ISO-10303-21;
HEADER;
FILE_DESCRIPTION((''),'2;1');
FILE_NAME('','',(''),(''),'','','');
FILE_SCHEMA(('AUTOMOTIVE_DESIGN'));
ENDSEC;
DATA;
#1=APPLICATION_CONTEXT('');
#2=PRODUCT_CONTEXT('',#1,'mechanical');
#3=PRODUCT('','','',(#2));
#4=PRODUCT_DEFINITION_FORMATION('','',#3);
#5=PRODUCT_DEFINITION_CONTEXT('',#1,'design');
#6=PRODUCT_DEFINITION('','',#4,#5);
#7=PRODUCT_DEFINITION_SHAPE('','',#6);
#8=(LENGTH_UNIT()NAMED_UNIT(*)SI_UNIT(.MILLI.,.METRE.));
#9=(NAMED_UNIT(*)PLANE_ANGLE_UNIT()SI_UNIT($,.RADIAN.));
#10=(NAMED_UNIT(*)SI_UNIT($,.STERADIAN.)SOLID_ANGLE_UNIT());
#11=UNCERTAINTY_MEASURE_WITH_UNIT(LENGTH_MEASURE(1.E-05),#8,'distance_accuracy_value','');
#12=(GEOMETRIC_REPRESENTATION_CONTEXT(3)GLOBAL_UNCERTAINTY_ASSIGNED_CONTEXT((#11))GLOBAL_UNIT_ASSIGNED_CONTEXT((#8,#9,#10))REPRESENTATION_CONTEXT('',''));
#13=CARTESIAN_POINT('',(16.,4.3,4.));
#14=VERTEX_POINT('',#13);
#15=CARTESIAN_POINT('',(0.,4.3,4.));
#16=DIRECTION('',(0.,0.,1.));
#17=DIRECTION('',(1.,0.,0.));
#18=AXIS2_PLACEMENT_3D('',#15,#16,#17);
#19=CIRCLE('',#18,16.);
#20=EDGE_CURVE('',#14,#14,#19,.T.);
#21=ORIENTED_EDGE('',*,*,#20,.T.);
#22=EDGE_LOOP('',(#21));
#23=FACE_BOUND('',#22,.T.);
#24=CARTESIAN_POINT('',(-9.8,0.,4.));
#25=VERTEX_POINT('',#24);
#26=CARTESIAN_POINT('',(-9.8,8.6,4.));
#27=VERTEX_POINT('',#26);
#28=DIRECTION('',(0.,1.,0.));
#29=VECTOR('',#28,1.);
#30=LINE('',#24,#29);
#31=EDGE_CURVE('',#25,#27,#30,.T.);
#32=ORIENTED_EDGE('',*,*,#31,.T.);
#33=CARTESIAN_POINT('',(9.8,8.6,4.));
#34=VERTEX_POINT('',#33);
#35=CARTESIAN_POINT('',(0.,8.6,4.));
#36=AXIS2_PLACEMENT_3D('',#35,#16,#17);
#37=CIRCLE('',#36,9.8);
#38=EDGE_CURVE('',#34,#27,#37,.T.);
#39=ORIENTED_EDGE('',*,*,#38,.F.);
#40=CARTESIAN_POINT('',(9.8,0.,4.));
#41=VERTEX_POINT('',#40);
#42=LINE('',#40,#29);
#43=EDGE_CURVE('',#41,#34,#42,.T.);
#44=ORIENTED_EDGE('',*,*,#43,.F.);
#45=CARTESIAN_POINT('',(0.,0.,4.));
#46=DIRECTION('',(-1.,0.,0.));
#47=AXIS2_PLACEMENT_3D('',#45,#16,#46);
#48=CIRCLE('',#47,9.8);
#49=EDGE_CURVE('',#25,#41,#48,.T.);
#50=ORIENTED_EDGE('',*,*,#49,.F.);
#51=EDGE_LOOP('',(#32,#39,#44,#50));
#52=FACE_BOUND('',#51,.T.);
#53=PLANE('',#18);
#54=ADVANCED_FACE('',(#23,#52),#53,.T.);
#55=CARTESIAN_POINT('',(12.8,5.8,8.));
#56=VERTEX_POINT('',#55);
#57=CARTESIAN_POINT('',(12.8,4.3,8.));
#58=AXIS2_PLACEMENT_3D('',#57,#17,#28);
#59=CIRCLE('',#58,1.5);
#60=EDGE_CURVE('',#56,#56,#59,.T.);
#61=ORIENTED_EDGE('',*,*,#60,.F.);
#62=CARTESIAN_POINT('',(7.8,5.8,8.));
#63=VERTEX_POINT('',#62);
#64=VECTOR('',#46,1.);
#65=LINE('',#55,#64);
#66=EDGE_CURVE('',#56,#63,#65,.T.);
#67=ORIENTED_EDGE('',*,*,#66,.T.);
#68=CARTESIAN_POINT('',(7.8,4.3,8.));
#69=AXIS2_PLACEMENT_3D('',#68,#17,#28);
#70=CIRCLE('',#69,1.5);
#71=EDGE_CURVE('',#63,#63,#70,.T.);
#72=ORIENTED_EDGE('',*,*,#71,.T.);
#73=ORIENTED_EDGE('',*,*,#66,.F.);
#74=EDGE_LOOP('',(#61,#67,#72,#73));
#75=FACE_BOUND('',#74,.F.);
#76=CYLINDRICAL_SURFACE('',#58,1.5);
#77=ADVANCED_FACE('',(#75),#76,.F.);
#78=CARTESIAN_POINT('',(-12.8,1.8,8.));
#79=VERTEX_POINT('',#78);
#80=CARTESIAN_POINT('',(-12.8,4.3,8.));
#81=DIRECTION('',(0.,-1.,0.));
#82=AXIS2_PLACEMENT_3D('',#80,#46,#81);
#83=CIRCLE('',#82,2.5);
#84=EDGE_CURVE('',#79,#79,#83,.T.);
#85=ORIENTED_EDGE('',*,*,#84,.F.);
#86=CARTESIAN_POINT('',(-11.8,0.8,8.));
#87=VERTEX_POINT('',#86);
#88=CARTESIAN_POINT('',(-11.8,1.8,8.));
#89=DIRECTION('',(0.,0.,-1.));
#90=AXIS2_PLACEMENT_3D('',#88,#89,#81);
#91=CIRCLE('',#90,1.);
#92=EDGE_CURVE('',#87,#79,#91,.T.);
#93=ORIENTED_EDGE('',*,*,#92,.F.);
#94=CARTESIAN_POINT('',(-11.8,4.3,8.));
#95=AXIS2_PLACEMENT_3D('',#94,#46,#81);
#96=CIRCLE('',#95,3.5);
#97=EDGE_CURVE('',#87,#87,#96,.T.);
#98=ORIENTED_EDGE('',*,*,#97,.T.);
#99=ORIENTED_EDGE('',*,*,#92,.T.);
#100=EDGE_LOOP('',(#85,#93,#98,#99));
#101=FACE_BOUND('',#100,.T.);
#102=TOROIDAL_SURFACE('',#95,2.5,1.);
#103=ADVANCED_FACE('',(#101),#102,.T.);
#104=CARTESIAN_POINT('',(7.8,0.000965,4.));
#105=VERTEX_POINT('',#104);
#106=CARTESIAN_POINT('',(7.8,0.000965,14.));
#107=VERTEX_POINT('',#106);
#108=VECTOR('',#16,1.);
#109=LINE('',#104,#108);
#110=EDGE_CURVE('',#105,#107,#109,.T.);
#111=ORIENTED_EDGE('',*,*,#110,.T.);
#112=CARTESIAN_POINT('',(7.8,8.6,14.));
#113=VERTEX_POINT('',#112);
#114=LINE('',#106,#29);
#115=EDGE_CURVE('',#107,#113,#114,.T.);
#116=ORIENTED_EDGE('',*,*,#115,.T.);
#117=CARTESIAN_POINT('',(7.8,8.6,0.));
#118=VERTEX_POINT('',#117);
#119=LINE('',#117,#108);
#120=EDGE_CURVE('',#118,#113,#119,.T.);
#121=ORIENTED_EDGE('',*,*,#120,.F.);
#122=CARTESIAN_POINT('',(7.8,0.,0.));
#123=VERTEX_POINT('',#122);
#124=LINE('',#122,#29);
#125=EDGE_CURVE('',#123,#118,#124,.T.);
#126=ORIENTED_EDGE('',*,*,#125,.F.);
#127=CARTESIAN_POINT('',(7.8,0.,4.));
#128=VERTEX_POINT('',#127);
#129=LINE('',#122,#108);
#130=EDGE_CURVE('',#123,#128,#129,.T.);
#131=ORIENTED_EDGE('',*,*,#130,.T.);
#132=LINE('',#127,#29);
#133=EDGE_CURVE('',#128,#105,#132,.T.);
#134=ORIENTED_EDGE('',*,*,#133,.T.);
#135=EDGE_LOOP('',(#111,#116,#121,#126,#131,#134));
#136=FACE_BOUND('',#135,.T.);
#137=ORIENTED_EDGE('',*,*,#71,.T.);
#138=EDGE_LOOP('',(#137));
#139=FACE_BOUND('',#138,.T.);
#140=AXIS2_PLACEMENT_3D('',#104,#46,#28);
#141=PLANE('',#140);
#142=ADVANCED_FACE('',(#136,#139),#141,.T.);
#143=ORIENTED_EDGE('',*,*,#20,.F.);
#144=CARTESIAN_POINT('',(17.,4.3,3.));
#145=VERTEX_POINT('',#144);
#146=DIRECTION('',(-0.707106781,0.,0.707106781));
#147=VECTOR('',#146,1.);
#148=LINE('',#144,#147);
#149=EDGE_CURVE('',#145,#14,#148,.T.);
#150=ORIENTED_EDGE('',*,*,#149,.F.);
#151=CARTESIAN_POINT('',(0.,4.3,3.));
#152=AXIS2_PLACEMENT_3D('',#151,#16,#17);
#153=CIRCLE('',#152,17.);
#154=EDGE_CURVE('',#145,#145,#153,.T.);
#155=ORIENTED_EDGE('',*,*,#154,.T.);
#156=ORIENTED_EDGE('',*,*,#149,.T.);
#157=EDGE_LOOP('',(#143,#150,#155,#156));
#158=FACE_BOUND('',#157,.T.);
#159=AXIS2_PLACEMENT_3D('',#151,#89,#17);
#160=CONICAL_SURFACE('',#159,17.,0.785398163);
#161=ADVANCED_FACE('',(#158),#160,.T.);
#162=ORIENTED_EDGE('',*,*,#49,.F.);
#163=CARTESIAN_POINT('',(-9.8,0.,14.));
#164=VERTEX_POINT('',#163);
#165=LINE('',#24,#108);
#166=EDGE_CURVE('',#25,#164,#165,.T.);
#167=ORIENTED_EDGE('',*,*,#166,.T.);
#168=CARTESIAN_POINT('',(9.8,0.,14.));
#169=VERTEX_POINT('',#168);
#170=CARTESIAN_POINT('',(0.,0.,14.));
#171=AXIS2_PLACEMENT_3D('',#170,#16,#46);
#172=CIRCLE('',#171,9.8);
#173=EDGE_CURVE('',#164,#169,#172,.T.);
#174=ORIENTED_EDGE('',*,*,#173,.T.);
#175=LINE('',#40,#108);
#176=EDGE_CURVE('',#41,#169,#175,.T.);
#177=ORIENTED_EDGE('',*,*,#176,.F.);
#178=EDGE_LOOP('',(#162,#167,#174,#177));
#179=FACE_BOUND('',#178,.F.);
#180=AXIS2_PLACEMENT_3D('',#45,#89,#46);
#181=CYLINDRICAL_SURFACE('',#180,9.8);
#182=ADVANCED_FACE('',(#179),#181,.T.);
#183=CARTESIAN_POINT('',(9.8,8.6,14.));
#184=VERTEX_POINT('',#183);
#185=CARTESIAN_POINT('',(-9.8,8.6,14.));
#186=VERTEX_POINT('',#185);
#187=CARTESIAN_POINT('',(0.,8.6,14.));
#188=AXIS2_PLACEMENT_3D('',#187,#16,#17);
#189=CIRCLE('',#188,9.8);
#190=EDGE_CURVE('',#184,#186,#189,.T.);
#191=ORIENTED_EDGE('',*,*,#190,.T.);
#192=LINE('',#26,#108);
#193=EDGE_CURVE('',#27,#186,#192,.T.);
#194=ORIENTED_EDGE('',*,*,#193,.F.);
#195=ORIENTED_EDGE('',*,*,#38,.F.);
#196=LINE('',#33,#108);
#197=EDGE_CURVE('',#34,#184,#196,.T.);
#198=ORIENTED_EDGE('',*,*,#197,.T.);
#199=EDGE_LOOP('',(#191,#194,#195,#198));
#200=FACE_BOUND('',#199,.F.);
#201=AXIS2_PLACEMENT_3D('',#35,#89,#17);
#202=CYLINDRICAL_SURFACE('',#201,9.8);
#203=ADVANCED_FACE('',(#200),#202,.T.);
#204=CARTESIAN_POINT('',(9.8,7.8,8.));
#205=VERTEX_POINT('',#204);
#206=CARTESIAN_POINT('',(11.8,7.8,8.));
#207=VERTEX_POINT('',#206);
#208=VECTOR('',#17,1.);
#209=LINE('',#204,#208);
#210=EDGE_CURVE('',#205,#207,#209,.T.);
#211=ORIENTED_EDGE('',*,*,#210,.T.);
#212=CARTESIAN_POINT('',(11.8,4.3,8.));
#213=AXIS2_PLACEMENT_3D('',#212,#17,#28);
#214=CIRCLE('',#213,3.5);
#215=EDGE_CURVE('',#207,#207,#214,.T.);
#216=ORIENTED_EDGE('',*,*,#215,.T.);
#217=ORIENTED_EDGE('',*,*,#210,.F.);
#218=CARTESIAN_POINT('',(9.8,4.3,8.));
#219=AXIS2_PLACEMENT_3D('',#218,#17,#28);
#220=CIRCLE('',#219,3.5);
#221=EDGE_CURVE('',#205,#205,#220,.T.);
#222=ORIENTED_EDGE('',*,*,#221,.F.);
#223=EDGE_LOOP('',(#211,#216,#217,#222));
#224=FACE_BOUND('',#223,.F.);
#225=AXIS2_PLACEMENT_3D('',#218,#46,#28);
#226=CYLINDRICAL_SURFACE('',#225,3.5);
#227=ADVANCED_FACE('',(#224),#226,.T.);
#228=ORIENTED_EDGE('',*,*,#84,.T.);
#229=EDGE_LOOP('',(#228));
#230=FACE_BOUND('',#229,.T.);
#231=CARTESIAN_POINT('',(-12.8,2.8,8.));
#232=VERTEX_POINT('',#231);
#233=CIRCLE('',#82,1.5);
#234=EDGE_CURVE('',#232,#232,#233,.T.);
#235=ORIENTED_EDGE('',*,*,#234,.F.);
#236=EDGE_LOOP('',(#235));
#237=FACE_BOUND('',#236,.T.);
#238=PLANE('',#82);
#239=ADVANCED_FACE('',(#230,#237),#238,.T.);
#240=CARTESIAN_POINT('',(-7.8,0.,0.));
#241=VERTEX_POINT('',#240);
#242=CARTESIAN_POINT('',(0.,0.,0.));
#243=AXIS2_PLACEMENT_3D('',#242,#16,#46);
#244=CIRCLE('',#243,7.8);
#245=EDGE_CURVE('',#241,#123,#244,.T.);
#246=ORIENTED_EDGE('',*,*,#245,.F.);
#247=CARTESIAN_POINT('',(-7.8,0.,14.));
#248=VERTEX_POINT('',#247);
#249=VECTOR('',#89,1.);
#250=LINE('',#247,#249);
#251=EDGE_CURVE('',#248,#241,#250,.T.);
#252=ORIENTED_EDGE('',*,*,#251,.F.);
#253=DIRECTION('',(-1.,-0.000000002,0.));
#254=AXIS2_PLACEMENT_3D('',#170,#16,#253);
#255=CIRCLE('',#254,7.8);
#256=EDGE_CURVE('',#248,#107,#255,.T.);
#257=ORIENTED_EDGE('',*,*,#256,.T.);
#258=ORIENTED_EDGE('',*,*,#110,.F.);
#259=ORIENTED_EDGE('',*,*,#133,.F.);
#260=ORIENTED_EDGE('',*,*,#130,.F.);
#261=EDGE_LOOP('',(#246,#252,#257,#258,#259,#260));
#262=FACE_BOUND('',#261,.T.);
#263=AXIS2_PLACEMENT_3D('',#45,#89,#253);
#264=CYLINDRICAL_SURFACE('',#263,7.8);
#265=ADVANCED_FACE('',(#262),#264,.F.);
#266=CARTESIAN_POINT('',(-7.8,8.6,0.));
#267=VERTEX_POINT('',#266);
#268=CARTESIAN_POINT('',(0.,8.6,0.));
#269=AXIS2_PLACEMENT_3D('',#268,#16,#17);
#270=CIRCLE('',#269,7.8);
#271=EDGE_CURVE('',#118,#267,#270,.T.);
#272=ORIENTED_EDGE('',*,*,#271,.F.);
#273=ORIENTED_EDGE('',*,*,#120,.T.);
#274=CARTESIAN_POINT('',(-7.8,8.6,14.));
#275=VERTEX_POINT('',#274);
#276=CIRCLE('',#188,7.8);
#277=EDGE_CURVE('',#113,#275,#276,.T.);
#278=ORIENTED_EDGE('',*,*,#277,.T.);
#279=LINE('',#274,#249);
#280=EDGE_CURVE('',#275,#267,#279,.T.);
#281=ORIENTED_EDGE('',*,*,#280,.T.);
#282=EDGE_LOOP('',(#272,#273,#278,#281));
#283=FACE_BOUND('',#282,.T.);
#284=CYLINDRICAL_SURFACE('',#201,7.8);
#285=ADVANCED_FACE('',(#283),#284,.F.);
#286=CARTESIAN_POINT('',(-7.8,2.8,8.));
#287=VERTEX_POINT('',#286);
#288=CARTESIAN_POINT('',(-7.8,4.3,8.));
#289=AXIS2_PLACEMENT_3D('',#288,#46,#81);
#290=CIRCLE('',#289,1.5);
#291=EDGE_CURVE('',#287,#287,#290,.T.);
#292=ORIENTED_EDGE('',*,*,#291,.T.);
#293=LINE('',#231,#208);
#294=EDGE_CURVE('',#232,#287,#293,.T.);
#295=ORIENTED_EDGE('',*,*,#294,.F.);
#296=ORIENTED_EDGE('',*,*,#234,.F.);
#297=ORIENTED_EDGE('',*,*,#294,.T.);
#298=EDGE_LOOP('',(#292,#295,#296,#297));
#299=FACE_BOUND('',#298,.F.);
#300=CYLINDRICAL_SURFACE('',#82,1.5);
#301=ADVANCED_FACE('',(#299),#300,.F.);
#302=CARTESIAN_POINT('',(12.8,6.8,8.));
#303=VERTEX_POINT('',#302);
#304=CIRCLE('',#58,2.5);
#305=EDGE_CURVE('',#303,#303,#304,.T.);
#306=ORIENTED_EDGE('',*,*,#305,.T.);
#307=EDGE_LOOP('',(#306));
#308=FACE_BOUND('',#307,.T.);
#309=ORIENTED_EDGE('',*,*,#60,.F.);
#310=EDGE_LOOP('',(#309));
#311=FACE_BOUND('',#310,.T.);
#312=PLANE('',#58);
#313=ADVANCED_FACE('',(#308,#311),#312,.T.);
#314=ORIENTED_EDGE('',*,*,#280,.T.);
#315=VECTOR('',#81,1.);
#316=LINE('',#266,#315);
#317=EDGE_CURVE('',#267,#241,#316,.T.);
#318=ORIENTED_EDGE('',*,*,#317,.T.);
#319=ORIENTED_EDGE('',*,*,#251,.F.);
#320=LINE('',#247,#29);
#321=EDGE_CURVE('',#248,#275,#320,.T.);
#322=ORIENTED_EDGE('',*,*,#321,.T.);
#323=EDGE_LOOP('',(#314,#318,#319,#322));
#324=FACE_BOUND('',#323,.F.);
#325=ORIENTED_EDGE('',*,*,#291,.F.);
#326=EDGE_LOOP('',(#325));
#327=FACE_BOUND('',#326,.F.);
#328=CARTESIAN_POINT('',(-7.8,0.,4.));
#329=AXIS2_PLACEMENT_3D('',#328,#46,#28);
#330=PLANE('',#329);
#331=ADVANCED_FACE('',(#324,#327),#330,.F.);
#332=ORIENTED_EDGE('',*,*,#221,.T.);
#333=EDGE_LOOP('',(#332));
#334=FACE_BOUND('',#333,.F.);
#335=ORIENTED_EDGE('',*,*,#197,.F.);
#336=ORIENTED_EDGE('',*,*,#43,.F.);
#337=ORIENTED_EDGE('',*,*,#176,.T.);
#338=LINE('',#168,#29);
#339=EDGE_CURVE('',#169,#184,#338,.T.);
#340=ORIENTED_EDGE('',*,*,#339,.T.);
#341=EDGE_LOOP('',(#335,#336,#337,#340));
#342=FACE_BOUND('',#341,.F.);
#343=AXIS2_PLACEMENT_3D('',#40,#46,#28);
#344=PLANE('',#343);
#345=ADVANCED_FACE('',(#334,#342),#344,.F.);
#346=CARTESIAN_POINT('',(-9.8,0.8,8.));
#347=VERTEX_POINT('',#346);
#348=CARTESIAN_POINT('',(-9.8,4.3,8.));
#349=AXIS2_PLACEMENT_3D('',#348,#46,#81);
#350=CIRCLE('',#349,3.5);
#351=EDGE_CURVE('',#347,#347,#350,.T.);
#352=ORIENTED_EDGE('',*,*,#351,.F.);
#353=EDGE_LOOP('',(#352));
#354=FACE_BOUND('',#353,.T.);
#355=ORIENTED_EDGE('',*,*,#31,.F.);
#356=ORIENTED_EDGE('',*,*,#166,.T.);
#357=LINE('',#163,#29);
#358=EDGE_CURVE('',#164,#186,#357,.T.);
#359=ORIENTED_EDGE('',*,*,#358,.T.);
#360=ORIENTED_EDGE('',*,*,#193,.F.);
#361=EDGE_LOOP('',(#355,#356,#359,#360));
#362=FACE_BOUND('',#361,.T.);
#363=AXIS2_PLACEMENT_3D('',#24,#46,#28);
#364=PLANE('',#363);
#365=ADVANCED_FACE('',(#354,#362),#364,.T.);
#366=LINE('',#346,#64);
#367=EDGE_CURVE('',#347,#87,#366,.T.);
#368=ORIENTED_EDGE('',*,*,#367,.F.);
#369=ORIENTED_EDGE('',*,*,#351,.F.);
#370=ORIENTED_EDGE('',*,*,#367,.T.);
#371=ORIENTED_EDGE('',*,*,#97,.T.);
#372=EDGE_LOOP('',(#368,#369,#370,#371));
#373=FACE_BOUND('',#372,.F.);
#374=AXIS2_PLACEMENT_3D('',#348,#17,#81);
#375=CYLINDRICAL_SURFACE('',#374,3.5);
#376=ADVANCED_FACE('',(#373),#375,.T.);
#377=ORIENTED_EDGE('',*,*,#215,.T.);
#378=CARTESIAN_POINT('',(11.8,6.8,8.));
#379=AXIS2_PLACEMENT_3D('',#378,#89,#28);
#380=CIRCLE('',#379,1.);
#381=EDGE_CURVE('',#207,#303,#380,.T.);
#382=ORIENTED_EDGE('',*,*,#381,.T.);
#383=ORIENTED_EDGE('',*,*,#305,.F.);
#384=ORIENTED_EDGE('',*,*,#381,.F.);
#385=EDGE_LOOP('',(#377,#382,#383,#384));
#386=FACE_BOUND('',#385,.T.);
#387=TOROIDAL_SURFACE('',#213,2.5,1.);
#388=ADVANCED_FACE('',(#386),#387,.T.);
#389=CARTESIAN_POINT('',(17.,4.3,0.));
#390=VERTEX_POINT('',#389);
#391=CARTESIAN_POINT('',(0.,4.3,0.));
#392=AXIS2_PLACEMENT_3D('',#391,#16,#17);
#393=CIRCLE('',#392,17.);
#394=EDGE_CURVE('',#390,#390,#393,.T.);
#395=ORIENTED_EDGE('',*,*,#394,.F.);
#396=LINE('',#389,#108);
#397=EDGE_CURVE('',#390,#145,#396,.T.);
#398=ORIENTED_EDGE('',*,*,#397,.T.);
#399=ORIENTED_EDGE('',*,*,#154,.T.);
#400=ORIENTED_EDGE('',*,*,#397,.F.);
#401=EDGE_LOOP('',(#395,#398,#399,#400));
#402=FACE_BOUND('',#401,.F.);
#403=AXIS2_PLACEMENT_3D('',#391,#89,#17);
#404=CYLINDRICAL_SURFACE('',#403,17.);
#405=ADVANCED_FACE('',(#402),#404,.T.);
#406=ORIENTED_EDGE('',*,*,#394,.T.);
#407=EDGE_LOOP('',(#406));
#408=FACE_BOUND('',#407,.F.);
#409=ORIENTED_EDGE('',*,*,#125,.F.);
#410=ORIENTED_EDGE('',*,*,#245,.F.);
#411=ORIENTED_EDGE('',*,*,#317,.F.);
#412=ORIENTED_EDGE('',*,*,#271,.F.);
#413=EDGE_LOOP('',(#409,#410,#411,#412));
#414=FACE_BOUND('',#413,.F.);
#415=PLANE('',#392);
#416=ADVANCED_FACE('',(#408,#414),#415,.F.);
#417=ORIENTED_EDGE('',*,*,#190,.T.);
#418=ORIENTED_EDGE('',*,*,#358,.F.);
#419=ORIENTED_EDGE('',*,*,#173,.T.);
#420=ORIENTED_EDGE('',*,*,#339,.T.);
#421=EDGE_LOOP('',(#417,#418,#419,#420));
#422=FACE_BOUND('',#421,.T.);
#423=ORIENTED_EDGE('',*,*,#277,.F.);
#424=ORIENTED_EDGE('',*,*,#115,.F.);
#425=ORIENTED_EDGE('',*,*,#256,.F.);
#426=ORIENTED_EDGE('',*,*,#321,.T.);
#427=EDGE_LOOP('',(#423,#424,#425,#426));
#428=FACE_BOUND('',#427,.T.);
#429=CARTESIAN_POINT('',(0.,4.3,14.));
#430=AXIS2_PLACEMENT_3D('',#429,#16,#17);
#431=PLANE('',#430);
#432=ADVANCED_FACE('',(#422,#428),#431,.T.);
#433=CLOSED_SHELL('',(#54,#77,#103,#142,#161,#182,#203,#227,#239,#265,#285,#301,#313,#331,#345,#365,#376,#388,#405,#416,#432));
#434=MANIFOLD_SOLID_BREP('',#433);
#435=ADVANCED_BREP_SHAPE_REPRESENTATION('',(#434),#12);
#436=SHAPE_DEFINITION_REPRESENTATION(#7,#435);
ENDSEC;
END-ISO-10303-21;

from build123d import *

# Parameters (mm, degrees)
SKETCH_R        = 17
PAD_DEPTH       = 4
CHAMFER_SIZE    = 1
PAD001_DEPTH    = 10
SKETCH002_R     = 3.5
PAD002_DEPTH    = 3
SKETCH003_R     = 1.5
POCKET_DEPTH    = 6
FILLET_R        = 1
SKETCH004_R     = 3.5
PAD003_DEPTH    = 3
SKETCH005_R     = 1.5
POCKET001_DEPTH = 6
FILLET001_R     = 1


with BuildPart() as part:
    # Sketch → Pad (new body)
    with BuildSketch(Plane.XY):
        with Locations((0, 4.3)):
            Circle(SKETCH_R)
        with BuildLine():
            ThreePointArc((7.8, 8.6), (0, 16.4), (-7.8, 8.6))
            Line((-7.8, 8.6), (-7.8, 0))
            ThreePointArc((-7.8, 0), (0, -7.8), (7.8, 0))
            Line((7.8, 0), (7.8, 8.6))
        make_face(mode=Mode.SUBTRACT)
    extrude(amount=PAD_DEPTH)

    # Chamfer
    chamfer_edges = [part.edges().sort_by_distance(p)[0] for p in [
        (-17, 4.3, 4),
    ]]
    chamfer(chamfer_edges, length=CHAMFER_SIZE)

    # Sketch001 (on Face4 of Chamfer) → Pad001 (join)
    with BuildSketch(Plane.XY.offset(4)):
        with BuildLine():
            ThreePointArc((9.8, 8.6), (0, 18.4), (-9.8, 8.6))
            Line((-9.8, 0), (-9.8, 8.6))
            ThreePointArc((-9.8, 0), (0, -9.8), (9.8, 0))
            Line((9.8, 0), (9.8, 8.6))
        make_face()
        with BuildLine():
            ThreePointArc((7.8, 8.6), (0, 16.4), (-7.8, 8.6))
            Line((-7.8, 0), (-7.8, 8.6))
            ThreePointArc((-7.8, 0), (0.000482, -7.8), (7.8, 0.000965))
            Line((7.8, 0.000965), (7.8, 8.6))
        make_face(mode=Mode.SUBTRACT)
    extrude(amount=PAD001_DEPTH)

    # Sketch002 (on Face10 of Pad001) → Pad002 (join)
    with BuildSketch(Plane(origin=(-9.8, 0, 0), x_dir=(0, -1, 0), z_dir=(-1, 0, 0))):
        with Locations((-4.3, 8)):
            Circle(SKETCH002_R)
    extrude(amount=PAD002_DEPTH)

    # Sketch003 (on Face19 of Pad002) → Pocket (cut)
    with BuildSketch(Plane(origin=(-12.8, 0, 0), x_dir=(0, -1, 0), z_dir=(-1, 0, 0))):
        with Locations((-4.3, 8)):
            Circle(SKETCH003_R)
    extrude(amount=-POCKET_DEPTH, mode=Mode.SUBTRACT)

    # Fillet
    fillet_edges = [part.edges().sort_by_distance(p)[0] for p in [
        (-12.8, 7.8, 8),
    ]]
    fillet(fillet_edges, radius=FILLET_R)

    # Sketch004 (on Face10 of Fillet) → Pad003 (join)
    with BuildSketch(Plane.YZ.offset(9.8)):
        with Locations((4.3, 8)):
            Circle(SKETCH004_R)
    extrude(amount=PAD003_DEPTH)

    # Sketch005 (on Face22 of Pad003) → Pocket001 (cut)
    with BuildSketch(Plane.YZ.offset(12.8)):
        with Locations((4.3, 8)):
            Circle(SKETCH005_R)
    extrude(amount=-POCKET001_DEPTH, mode=Mode.SUBTRACT)

    # Fillet001
    fillet001_edges = [part.edges().sort_by_distance(p)[0] for p in [
        (12.8, 0.8, 8),
    ]]
    fillet(fillet001_edges, radius=FILLET001_R)


solid = part.part
